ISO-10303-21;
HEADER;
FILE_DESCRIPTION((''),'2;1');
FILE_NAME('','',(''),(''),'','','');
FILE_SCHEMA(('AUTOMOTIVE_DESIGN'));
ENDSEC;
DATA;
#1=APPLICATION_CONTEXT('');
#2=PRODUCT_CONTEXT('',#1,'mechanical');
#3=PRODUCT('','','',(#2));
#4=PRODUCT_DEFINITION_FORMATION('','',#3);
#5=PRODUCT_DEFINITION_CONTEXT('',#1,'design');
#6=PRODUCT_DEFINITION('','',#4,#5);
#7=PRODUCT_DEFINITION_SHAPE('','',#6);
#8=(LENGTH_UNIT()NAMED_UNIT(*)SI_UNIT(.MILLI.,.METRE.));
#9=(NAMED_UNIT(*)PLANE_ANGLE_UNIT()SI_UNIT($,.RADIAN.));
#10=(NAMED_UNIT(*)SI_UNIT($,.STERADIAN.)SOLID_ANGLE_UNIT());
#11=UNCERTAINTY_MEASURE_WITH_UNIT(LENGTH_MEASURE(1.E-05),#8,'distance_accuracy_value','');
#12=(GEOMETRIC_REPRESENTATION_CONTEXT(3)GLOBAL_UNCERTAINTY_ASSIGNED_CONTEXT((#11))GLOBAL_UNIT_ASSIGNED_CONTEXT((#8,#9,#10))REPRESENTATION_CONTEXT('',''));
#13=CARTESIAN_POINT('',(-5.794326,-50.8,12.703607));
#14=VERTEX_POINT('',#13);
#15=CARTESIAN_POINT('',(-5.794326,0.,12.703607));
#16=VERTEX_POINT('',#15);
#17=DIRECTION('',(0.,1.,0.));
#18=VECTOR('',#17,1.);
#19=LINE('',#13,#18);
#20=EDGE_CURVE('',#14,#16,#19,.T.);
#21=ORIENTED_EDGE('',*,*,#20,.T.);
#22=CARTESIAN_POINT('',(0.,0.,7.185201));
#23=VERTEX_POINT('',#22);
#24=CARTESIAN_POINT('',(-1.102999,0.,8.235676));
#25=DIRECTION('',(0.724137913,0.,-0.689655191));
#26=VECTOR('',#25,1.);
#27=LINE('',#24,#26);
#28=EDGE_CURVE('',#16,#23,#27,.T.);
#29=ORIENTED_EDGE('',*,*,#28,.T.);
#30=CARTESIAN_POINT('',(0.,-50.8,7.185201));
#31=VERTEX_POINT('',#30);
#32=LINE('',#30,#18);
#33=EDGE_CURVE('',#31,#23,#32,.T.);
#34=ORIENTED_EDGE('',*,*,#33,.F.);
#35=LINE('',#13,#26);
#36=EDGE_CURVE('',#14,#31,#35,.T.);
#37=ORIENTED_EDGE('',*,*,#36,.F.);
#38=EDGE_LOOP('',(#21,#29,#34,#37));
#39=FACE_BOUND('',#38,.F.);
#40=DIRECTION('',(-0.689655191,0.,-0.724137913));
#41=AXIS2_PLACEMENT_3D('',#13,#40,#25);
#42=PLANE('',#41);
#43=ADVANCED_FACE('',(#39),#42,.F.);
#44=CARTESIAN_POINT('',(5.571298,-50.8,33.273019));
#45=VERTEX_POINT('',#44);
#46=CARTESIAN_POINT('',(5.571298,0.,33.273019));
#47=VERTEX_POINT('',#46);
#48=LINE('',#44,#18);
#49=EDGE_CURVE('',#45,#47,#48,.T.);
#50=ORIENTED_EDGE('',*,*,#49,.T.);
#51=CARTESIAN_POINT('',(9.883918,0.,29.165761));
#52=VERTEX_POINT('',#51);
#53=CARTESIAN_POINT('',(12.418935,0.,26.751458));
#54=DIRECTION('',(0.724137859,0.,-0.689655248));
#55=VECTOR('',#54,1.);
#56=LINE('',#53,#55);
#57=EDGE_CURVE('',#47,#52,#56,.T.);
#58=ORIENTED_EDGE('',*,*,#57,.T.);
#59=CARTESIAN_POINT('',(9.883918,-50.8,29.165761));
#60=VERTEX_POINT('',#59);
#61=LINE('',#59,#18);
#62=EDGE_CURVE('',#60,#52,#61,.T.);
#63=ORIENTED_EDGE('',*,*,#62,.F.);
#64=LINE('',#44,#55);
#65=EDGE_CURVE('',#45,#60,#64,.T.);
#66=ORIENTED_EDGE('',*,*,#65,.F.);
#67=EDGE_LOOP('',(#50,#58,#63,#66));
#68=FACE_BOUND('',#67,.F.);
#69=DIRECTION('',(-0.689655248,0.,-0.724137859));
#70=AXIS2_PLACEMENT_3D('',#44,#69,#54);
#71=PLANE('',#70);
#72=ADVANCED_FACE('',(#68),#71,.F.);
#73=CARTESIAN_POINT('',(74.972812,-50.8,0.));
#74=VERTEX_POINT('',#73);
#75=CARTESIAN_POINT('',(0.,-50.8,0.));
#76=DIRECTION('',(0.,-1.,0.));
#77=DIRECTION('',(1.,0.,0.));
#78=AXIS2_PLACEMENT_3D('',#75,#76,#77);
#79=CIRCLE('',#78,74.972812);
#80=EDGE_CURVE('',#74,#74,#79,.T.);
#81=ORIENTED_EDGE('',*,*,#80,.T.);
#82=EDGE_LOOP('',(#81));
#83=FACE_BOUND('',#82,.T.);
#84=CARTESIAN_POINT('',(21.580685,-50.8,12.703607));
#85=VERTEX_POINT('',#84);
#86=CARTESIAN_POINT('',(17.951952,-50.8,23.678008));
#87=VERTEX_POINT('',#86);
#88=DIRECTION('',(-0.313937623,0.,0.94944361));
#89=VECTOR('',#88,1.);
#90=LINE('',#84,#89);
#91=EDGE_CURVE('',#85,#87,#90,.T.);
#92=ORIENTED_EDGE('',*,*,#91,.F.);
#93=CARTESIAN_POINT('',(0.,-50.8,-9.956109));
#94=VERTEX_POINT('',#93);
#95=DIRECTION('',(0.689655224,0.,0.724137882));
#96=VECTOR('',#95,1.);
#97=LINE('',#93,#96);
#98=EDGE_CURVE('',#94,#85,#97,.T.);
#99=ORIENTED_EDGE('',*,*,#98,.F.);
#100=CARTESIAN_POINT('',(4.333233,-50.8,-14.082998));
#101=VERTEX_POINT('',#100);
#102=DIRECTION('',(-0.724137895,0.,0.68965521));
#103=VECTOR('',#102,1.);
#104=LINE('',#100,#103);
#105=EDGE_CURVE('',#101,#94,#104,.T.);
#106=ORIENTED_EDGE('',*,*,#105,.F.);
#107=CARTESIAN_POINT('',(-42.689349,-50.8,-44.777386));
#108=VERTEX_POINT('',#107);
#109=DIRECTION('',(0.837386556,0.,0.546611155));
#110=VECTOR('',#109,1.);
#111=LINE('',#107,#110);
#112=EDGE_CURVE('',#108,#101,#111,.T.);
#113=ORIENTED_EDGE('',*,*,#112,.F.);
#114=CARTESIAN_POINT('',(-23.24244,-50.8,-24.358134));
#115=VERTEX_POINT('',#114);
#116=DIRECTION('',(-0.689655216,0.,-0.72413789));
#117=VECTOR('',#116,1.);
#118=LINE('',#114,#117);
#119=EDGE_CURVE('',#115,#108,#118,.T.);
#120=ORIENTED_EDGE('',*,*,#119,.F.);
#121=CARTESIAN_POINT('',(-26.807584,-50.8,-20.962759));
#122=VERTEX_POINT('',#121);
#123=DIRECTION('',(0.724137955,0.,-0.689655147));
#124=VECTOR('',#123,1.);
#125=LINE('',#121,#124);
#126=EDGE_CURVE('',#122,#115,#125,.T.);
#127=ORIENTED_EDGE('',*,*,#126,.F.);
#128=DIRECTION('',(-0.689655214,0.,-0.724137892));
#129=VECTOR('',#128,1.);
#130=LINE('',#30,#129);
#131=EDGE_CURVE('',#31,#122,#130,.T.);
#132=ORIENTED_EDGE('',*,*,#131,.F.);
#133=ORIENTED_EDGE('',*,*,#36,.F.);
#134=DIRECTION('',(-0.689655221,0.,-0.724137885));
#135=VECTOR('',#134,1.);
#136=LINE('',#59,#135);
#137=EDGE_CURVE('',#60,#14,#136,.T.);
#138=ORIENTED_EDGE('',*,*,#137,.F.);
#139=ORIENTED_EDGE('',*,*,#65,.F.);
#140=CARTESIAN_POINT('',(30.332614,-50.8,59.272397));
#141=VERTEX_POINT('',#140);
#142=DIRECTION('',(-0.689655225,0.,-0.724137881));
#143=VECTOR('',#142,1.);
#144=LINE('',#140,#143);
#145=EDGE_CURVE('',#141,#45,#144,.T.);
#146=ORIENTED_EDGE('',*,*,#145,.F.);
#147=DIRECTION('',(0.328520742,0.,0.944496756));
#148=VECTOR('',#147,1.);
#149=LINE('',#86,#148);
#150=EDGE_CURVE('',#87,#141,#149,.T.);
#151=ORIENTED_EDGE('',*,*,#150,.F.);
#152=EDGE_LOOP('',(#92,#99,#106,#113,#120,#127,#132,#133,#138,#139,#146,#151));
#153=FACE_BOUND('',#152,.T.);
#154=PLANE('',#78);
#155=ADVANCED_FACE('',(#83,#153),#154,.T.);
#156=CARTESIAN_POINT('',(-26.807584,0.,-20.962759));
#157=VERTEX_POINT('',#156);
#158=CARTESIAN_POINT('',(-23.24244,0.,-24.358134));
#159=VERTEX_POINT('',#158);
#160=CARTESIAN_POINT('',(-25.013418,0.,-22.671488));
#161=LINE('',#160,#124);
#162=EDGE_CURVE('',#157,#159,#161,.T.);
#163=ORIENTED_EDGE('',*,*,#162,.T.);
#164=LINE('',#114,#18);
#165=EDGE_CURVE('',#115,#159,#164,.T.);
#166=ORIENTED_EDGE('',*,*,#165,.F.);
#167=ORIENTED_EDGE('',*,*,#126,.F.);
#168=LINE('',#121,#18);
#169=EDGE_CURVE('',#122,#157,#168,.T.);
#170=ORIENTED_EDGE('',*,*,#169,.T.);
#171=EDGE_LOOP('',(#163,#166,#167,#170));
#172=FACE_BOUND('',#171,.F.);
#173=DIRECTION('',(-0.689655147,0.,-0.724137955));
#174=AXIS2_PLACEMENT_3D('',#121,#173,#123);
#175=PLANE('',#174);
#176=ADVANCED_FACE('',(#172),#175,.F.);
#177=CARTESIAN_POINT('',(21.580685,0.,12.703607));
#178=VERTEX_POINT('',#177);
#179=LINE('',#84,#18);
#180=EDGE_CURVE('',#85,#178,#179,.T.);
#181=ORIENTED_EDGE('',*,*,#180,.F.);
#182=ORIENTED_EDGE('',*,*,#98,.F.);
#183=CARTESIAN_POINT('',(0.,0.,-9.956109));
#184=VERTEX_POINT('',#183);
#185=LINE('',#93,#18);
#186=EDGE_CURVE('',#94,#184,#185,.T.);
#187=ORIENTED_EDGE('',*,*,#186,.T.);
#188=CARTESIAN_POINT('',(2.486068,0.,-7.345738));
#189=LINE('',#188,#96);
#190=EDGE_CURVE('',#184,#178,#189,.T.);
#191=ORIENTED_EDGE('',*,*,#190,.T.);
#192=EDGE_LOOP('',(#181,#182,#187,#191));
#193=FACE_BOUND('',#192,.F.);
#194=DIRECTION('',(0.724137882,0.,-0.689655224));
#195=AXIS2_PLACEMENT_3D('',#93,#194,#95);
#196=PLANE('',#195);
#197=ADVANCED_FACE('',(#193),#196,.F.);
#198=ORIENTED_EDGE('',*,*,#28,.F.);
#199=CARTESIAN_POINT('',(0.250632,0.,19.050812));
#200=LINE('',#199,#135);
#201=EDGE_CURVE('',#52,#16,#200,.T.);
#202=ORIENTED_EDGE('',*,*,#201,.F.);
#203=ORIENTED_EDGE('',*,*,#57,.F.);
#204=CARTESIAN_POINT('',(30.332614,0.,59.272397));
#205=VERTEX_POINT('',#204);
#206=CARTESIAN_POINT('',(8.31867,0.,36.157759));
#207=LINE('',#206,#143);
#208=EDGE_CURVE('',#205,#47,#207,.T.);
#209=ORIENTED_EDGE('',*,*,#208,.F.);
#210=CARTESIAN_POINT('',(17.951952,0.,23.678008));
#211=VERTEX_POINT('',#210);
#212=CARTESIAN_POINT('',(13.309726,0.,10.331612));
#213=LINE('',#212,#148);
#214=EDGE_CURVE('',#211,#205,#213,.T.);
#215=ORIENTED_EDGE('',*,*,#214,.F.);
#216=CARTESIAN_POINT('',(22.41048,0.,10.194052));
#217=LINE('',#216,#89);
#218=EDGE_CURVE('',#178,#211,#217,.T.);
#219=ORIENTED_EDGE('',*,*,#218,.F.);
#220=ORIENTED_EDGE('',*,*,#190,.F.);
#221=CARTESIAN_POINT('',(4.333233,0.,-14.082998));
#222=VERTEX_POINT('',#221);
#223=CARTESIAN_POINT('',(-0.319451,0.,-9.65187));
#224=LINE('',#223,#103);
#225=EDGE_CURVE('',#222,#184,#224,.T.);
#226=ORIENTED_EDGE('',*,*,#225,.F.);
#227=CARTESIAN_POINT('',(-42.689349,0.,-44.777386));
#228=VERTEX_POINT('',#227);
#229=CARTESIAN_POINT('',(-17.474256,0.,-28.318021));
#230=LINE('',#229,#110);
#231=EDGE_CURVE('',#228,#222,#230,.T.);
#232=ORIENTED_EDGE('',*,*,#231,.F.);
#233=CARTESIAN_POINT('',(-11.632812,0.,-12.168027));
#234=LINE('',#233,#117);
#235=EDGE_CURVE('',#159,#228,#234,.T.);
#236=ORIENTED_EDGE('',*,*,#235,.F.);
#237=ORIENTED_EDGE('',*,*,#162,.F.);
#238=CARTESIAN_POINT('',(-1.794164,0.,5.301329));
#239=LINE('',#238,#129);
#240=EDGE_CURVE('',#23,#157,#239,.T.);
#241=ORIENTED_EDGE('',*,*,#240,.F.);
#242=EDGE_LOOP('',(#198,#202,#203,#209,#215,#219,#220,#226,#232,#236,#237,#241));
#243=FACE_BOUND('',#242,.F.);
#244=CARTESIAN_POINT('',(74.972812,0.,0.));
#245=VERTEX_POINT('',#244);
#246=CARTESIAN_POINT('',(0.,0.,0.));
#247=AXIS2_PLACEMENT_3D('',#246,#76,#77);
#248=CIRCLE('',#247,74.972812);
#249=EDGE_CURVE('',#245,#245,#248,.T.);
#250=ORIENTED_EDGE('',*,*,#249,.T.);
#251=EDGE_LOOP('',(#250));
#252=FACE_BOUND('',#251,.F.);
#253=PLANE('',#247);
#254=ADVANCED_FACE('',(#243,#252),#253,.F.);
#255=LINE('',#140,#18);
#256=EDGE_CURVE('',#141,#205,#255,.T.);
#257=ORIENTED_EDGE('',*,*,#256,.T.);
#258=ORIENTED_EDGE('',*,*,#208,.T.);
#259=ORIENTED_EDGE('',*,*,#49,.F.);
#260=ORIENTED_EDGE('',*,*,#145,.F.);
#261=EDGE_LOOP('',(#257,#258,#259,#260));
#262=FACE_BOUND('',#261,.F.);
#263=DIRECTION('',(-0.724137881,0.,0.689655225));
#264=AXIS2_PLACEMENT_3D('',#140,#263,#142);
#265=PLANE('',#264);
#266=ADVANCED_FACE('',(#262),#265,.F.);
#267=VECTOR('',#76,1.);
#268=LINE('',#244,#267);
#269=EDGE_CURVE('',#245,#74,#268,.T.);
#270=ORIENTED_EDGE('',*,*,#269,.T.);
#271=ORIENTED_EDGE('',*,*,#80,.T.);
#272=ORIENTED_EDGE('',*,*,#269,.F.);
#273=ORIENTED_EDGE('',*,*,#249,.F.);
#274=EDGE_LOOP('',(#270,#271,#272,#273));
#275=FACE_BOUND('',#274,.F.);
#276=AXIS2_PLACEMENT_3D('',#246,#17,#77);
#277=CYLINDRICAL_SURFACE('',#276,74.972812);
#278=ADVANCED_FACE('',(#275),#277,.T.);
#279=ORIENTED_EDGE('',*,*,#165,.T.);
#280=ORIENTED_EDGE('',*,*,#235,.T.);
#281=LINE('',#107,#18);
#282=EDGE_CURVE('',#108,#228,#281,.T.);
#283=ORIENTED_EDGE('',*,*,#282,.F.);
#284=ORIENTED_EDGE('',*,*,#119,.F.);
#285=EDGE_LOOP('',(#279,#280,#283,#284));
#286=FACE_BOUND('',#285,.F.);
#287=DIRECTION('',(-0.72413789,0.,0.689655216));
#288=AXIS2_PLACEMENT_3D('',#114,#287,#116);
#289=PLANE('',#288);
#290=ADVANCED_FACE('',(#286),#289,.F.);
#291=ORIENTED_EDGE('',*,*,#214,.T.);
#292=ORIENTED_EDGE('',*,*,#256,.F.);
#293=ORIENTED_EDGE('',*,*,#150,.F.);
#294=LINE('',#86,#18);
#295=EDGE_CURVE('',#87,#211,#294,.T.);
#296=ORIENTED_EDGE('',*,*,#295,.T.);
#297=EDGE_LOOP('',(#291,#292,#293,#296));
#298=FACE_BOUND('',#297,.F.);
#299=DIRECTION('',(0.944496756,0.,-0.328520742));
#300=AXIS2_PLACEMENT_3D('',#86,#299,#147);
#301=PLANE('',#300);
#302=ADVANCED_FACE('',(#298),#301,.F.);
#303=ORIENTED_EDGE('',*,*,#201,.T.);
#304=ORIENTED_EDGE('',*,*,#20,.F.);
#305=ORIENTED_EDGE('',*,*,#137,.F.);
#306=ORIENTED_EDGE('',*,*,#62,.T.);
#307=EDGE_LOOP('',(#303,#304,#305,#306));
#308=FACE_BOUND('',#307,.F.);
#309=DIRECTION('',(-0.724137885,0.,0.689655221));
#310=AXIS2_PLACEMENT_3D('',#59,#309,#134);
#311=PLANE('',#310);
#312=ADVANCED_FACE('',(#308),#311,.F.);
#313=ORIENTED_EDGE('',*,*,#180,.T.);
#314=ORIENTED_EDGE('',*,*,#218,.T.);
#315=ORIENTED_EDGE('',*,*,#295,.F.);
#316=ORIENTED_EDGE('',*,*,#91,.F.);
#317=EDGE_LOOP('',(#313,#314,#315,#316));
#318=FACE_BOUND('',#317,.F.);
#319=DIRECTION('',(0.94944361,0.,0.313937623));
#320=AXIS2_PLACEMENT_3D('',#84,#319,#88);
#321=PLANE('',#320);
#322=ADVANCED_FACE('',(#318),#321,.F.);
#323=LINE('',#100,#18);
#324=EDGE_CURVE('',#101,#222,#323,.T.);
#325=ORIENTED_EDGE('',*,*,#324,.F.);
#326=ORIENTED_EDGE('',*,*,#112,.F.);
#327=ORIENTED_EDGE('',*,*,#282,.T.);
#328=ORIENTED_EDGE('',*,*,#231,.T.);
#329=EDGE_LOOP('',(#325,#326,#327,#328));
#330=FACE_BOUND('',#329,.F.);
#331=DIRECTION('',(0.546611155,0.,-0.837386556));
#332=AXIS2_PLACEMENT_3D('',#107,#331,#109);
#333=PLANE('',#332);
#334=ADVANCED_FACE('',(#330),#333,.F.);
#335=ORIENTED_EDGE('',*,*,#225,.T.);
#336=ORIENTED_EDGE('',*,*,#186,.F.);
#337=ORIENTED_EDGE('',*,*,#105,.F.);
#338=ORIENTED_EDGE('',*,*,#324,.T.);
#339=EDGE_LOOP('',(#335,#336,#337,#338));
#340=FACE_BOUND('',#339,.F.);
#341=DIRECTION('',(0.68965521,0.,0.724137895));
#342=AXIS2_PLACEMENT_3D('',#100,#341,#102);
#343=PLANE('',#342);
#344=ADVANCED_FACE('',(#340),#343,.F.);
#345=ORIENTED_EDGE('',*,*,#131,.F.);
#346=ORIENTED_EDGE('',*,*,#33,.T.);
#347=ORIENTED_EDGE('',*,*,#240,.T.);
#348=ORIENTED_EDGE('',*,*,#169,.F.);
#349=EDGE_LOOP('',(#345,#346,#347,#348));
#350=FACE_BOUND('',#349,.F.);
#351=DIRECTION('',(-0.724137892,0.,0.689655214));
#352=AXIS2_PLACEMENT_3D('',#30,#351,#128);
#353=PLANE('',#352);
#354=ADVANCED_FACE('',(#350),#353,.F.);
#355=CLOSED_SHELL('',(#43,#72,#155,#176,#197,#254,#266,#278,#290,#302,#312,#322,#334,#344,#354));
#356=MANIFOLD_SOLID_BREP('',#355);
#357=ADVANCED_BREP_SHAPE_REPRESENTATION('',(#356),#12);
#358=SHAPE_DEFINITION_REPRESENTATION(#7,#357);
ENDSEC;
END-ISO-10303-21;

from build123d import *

# Parameters (mm, degrees)
F0_R     = 74.972812
F1_DEPTH = 50.8
F3_DEPTH = 76.2


with BuildPart() as f1:
    # F0 (on Front) → F1 (new body)
    with BuildSketch(Plane.XZ):
        Circle(F0_R)
    extrude(amount=F1_DEPTH)

    # F2 (on face) → F3 (cut)
    with BuildSketch(Plane.XZ.offset(50.8)):
        Polygon((17.951952, 23.678008), (30.332614, 59.272397), (5.571298, 33.273019), (9.883918, 29.165761), (-5.794326, 12.703607), (0, 7.185201), (-26.807584, -20.962759), (-23.24244, -24.358134), (-42.689349, -44.777386), (4.333233, -14.082998), (0, -9.956109), (21.580685, 12.703607), align=None)
    extrude(amount=-F3_DEPTH, mode=Mode.SUBTRACT)


solid = f1.part
